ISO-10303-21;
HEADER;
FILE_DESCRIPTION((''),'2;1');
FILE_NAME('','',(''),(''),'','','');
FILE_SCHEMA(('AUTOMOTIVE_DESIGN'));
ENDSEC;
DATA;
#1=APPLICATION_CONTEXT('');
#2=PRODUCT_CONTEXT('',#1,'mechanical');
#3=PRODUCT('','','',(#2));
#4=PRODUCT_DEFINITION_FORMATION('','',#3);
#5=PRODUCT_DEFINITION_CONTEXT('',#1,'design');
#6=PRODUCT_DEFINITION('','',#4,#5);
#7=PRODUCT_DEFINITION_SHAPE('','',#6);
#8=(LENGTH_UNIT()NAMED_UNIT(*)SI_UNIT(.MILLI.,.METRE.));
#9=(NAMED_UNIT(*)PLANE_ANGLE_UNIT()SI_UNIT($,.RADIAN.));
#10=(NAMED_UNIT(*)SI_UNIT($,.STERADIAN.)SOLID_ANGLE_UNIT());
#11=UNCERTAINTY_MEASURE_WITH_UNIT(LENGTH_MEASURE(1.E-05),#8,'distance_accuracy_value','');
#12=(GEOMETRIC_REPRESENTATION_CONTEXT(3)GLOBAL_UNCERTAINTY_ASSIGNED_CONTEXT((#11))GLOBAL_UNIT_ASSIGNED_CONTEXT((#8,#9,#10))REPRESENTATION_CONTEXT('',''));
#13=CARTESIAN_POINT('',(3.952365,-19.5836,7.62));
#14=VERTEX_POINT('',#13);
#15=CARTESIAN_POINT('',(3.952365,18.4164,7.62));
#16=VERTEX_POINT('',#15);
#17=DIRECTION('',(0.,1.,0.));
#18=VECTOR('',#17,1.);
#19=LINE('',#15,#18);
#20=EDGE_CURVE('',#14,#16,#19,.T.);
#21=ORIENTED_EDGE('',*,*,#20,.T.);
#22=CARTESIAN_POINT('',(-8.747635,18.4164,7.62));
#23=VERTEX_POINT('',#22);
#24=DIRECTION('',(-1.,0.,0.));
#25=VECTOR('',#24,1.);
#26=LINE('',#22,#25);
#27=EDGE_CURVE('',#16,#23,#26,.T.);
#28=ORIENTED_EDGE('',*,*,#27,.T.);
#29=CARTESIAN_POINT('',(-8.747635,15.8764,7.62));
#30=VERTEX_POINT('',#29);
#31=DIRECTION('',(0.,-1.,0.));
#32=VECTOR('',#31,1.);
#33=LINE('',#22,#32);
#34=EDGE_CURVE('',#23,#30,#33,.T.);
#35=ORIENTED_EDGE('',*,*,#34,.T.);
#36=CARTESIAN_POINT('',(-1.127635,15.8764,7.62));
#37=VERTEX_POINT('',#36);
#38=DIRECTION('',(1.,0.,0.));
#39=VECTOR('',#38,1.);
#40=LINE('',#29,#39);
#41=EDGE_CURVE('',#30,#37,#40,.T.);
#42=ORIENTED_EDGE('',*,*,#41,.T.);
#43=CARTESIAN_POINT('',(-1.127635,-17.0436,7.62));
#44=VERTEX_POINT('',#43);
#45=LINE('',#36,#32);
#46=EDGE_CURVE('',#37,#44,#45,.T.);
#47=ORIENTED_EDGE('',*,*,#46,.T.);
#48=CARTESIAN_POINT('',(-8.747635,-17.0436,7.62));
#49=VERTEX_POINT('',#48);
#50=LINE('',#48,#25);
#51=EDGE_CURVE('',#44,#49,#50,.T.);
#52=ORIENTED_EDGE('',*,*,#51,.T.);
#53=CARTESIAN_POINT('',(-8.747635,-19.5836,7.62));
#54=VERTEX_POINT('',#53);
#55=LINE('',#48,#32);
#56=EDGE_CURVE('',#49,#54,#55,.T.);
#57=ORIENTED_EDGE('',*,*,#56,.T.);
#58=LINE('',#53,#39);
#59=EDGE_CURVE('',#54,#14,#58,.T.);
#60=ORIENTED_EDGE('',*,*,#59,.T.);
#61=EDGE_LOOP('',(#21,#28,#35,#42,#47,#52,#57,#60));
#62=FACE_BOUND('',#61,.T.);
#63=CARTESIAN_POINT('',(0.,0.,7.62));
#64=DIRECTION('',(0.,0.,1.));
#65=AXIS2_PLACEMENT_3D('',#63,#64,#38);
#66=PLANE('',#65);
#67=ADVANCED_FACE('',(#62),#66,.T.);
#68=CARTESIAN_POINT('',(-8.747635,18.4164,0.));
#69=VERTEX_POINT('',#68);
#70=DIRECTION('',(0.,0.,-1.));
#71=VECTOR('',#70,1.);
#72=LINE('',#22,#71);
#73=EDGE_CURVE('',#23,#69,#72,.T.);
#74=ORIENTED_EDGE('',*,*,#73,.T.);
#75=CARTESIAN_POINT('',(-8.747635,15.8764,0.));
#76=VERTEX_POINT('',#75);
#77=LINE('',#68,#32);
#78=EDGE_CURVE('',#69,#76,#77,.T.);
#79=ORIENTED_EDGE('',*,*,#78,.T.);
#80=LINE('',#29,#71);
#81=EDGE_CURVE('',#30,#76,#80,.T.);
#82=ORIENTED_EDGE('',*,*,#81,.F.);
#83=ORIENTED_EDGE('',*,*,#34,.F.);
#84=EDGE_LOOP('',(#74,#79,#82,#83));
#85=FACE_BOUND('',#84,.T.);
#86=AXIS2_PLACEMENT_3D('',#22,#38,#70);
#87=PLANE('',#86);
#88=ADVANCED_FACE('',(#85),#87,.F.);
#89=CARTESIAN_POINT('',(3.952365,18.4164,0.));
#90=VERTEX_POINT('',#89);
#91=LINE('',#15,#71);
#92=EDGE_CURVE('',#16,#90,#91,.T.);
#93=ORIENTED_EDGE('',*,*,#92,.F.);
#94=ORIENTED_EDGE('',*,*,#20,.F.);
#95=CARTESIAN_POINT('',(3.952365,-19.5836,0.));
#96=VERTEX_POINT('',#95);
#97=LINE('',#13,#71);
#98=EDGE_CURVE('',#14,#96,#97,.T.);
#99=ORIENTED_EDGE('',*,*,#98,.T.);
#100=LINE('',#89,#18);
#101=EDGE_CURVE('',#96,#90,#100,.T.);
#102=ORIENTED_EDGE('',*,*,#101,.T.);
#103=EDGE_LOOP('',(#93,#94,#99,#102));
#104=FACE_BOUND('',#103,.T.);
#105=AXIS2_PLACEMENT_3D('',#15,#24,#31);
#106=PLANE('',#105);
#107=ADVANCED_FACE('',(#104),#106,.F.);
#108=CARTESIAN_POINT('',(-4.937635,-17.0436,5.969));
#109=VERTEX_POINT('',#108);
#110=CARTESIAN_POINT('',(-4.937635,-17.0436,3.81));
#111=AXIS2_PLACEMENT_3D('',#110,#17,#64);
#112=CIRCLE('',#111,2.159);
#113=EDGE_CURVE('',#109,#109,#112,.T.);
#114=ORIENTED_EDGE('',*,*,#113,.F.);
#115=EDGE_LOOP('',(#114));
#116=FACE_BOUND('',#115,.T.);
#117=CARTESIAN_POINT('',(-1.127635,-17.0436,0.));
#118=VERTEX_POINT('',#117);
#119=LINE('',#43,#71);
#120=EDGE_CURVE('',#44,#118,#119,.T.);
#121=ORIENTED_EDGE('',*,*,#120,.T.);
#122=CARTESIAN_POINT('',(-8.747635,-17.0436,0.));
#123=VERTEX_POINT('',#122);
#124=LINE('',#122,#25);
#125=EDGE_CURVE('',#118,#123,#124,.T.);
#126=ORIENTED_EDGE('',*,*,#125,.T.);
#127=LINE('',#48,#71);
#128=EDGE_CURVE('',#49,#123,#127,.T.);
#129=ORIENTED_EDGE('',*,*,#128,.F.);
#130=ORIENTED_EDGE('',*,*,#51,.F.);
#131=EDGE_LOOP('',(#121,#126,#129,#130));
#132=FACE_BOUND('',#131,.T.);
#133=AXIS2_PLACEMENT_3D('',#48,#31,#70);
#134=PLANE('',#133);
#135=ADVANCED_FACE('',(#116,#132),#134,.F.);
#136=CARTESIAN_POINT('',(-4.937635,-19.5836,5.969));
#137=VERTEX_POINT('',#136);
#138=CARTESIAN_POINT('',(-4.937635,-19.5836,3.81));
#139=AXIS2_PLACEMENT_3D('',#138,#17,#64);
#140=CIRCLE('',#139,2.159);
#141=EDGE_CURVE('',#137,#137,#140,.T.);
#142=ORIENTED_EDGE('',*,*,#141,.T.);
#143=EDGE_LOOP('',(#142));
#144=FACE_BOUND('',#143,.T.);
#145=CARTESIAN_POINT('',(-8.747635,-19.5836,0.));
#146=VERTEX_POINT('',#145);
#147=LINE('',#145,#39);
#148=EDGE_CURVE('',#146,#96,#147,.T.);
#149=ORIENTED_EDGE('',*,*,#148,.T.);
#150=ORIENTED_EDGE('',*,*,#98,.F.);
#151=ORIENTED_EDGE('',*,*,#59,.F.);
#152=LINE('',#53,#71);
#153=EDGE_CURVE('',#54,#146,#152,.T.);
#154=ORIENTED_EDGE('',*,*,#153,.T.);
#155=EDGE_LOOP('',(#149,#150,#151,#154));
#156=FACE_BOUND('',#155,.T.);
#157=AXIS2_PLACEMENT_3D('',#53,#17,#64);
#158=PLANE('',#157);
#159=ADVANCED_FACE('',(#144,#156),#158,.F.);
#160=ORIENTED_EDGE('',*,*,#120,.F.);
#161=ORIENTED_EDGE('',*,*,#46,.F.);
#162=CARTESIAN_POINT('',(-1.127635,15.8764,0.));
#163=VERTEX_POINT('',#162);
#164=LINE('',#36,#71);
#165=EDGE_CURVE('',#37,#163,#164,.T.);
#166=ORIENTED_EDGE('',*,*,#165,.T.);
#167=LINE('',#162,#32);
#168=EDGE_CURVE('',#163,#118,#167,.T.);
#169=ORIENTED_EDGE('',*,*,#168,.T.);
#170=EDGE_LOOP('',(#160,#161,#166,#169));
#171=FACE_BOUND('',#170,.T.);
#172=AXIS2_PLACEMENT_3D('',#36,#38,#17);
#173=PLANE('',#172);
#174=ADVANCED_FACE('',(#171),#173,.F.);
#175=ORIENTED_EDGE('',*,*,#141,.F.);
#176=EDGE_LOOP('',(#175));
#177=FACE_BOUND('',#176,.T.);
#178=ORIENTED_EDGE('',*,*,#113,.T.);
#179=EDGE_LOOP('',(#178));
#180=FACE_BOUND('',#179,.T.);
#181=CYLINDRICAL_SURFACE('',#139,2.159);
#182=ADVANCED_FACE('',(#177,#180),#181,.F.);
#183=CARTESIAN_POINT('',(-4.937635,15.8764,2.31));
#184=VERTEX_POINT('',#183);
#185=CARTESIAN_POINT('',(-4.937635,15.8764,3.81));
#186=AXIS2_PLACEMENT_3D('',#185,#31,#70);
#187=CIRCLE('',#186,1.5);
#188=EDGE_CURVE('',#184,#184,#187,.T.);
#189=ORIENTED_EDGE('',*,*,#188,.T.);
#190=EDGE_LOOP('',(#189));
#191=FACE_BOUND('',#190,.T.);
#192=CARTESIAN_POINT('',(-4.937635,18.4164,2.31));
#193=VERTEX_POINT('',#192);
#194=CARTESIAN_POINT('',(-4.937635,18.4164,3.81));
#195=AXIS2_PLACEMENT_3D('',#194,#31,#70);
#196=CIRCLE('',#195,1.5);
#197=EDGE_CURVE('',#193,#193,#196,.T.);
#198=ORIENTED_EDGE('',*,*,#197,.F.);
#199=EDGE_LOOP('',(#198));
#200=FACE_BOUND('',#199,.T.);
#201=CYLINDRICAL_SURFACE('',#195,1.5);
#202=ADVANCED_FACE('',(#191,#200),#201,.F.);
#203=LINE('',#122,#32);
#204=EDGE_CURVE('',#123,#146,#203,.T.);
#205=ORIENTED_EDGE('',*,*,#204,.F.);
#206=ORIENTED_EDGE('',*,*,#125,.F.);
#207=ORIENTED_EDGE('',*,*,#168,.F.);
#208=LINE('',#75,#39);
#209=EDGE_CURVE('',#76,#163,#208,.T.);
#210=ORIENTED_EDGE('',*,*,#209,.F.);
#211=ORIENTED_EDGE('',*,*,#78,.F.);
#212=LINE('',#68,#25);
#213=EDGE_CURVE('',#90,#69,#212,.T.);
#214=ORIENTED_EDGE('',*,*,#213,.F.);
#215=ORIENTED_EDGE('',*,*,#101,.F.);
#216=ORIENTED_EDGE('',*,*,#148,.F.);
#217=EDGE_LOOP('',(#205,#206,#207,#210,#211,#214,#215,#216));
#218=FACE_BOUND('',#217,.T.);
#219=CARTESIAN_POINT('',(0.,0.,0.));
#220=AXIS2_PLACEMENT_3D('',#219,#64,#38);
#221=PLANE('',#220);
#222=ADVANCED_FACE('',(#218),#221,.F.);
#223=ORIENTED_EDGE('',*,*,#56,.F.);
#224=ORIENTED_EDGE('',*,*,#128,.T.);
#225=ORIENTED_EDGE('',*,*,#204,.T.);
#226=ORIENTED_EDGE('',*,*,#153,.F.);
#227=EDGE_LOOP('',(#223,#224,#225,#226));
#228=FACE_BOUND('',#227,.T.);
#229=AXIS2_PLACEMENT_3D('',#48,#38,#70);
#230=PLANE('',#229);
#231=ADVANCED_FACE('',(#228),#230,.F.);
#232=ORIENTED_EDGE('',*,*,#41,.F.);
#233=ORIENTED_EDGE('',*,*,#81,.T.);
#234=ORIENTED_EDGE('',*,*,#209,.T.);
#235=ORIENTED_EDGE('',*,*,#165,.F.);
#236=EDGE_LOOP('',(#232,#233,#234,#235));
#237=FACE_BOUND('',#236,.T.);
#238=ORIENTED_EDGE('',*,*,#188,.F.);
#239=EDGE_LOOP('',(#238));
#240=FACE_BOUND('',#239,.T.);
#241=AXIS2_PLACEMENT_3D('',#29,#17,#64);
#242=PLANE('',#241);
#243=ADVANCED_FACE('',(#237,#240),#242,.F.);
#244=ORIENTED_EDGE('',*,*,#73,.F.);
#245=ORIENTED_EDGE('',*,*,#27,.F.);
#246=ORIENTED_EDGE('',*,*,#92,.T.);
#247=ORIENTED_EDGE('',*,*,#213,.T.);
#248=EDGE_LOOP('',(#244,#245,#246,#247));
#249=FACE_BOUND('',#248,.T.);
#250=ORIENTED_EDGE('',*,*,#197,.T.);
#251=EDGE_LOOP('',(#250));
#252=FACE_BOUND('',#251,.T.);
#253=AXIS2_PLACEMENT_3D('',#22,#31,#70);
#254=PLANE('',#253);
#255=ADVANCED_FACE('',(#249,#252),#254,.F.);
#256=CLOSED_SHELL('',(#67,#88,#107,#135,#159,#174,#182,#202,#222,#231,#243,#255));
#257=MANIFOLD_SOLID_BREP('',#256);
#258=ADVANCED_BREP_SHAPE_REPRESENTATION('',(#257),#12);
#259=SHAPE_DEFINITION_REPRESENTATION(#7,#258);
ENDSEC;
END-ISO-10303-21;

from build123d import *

# Parameters (mm, degrees)
BOSS_EXTRUDE1_DEPTH = 7.62
SKETCH2_R           = 2.159
CUT_EXTRUDE1_DEPTH  = 38.309477646
SKETCH3_R           = 1.5
CUT_EXTRUDE2_DEPTH  = 38.309477646


with BuildPart() as part:
    # Sketch1 → Boss-Extrude1 (new body)
    with BuildSketch(Plane.XY):
        Polygon((-8.747635235, -17.04359987), (-8.747635235, -19.58359987), (3.952364765, -19.58359987), (3.952364765, 18.41640013), (-8.747635235, 18.41640013), (-8.747635235, 15.87640013), (-1.127635235, 15.87640013), (-1.127635235, -17.04359987), align=None)
    extrude(amount=BOSS_EXTRUDE1_DEPTH)

    # Sketch2 → Cut-Extrude1 (cut, through all)
    with BuildSketch(Plane(origin=(0, -17.04359987, 0), x_dir=(1, 0, 0), z_dir=(0, 1, 0))):
        with Locations(Location((-4.937635235, -3.81, 0), (0, 0, 270))):
            Circle(SKETCH2_R)
    extrude(amount=-CUT_EXTRUDE1_DEPTH, mode=Mode.SUBTRACT)

    # Sketch3 → Cut-Extrude2 (cut, through all)
    with BuildSketch(Plane.XZ.offset(-15.87640013)):
        with Locations(Location((-4.937635235, 3.81, 0), (0, 0, 270))):
            Circle(SKETCH3_R)
    extrude(amount=-CUT_EXTRUDE2_DEPTH, mode=Mode.SUBTRACT)


solid = part.part
